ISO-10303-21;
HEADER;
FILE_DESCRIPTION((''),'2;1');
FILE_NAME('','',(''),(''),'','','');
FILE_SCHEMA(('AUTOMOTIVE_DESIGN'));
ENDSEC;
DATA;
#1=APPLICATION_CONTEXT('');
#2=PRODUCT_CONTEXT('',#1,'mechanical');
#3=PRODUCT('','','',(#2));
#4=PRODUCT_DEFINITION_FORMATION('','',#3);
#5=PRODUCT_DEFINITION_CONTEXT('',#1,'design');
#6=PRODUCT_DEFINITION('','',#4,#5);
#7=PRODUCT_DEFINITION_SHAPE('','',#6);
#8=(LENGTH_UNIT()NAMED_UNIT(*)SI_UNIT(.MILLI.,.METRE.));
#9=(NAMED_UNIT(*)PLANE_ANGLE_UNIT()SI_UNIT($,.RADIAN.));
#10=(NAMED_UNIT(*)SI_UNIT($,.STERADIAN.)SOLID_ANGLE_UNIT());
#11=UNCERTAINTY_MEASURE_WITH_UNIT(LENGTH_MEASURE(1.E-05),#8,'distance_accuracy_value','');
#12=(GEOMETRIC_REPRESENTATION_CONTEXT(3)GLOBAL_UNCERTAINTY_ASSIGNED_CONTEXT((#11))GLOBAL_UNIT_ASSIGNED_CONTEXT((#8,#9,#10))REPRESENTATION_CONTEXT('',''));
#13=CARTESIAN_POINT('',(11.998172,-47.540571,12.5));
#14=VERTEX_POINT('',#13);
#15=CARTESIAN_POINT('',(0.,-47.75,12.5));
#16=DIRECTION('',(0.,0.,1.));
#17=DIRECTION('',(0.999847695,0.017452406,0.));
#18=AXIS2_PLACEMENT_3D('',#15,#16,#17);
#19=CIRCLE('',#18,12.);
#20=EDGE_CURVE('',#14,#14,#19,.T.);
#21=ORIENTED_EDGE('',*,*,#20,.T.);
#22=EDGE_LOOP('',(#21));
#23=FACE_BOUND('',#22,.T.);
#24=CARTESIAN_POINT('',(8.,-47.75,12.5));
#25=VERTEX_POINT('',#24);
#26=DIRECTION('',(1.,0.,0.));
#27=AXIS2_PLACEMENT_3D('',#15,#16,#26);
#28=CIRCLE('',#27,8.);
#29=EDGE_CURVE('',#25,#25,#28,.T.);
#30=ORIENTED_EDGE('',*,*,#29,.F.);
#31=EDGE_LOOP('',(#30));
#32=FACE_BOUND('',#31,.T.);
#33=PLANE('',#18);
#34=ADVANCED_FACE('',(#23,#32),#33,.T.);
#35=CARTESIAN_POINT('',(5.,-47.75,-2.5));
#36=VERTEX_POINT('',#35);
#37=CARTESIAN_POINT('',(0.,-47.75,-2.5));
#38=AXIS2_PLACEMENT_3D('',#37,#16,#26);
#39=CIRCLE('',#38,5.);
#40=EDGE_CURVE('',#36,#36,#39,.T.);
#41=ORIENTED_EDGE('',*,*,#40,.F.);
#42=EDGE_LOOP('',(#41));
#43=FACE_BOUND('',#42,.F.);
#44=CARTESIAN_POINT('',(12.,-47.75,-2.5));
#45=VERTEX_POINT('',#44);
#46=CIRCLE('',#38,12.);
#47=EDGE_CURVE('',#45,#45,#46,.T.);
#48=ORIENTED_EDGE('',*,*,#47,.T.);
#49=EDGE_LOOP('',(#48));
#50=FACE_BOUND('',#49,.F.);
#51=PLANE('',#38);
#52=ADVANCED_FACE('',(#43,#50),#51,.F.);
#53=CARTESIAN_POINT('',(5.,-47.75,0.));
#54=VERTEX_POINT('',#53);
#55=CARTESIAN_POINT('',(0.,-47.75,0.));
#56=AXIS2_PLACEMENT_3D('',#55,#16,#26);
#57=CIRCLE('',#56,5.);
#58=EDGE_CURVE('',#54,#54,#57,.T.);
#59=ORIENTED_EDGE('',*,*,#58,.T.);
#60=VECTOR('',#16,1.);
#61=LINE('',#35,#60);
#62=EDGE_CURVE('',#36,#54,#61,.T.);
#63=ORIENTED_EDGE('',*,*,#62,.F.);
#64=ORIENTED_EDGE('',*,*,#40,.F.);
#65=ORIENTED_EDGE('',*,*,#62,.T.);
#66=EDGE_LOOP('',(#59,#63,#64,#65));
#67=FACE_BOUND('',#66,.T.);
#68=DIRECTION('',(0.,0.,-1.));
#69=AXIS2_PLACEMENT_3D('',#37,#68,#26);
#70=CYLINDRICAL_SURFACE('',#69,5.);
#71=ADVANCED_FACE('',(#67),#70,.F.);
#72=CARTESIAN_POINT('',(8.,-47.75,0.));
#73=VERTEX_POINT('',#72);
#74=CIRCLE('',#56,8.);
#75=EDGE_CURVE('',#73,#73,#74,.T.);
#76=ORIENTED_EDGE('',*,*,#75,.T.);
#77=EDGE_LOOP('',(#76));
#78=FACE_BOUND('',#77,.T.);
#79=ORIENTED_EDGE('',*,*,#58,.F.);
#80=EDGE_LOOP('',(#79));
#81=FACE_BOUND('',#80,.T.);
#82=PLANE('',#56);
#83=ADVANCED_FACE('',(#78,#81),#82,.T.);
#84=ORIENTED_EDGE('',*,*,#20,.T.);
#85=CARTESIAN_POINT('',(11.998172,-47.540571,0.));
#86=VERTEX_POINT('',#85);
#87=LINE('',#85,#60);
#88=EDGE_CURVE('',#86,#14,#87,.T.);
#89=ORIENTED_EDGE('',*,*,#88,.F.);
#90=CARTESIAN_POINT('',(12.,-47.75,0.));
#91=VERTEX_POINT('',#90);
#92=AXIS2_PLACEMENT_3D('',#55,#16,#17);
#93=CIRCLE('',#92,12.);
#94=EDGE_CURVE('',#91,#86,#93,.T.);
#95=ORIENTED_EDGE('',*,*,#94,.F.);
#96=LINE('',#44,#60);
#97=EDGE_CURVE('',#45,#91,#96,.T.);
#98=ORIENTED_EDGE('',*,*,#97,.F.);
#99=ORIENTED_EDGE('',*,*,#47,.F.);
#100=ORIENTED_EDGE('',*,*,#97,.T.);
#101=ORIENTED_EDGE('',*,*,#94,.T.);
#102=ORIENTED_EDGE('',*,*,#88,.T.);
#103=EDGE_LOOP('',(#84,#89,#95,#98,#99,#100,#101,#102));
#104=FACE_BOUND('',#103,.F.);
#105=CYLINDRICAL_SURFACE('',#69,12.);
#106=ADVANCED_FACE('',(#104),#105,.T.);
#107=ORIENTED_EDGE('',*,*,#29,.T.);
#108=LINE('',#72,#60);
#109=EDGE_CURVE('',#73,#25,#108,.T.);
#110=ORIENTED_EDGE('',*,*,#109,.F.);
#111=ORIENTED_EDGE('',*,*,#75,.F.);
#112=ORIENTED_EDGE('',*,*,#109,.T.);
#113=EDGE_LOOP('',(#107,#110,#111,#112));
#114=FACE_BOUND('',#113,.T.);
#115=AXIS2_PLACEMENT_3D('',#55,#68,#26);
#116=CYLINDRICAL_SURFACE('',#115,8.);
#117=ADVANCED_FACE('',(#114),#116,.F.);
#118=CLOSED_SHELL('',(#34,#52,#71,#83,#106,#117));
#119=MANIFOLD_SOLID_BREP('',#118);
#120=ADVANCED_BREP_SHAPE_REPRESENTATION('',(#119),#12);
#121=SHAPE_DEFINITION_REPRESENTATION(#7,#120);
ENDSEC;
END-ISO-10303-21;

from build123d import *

# Parameters (mm, degrees)
CYLINDER024_R               = 5
CYLINDER024_DEPTH           = 2.5
CYLINDER019_R               = 12
CYLINDER019_DEPTH           = 2.5
CYLINDER027_R               = 8
CYLINDER027_DEPTH           = 12.5
CYLINDER026_R               = 12
CYLINDER026_DEPTH           = 12.5
CYLINDER026_PLACEMENT_ANGLE = 1


with BuildPart() as largeplughole:
    # Cylinder024 → Cylinder024 (new body)
    with BuildSketch(Plane.XY):
        Circle(CYLINDER024_R)
    extrude(amount=CYLINDER024_DEPTH)


with BuildPart() as largeplugbase001:
    # Cylinder019 → Cylinder019 (new body)
    with BuildSketch(Plane.XY):
        Circle(CYLINDER019_R)
    extrude(amount=CYLINDER019_DEPTH)

    # Cut008: cut LargePlugHole
    add(largeplughole.part, mode=Mode.SUBTRACT)


with BuildPart() as largeplugwallhole:
    # Cylinder027 → Cylinder027 (new body)
    with BuildSketch(Plane.XY.offset(2.5)):
        Circle(CYLINDER027_R)
    extrude(amount=CYLINDER027_DEPTH)


with BuildPart() as vrm2_in_adapter:
    # Cylinder026 → Cylinder026 (new body)
    with BuildSketch(Plane.XY):
        Circle(CYLINDER026_R)
    extrude(amount=CYLINDER026_DEPTH)


with BuildPart() as vrm2_in_adapter_1:
    # Cylinder026 placement: moved
    add(vrm2_in_adapter.part.moved(Location((0, 0, 2.5))).rotate(Axis((0, 0, 2.5), (0, 0, 1)), CYLINDER026_PLACEMENT_ANGLE))

    # Cut007: cut LargePlugWallHole
    add(largeplugwallhole.part, mode=Mode.SUBTRACT)

    # Fusion028: union LargePlugBase001
    add(largeplugbase001.part)


with BuildPart() as vrm2_in_adapter_2:
    # Fusion028 placement: moved
    add(vrm2_in_adapter_1.part.moved(Location((0, -47.75, -2.5))))


solid = vrm2_in_adapter_2.part
